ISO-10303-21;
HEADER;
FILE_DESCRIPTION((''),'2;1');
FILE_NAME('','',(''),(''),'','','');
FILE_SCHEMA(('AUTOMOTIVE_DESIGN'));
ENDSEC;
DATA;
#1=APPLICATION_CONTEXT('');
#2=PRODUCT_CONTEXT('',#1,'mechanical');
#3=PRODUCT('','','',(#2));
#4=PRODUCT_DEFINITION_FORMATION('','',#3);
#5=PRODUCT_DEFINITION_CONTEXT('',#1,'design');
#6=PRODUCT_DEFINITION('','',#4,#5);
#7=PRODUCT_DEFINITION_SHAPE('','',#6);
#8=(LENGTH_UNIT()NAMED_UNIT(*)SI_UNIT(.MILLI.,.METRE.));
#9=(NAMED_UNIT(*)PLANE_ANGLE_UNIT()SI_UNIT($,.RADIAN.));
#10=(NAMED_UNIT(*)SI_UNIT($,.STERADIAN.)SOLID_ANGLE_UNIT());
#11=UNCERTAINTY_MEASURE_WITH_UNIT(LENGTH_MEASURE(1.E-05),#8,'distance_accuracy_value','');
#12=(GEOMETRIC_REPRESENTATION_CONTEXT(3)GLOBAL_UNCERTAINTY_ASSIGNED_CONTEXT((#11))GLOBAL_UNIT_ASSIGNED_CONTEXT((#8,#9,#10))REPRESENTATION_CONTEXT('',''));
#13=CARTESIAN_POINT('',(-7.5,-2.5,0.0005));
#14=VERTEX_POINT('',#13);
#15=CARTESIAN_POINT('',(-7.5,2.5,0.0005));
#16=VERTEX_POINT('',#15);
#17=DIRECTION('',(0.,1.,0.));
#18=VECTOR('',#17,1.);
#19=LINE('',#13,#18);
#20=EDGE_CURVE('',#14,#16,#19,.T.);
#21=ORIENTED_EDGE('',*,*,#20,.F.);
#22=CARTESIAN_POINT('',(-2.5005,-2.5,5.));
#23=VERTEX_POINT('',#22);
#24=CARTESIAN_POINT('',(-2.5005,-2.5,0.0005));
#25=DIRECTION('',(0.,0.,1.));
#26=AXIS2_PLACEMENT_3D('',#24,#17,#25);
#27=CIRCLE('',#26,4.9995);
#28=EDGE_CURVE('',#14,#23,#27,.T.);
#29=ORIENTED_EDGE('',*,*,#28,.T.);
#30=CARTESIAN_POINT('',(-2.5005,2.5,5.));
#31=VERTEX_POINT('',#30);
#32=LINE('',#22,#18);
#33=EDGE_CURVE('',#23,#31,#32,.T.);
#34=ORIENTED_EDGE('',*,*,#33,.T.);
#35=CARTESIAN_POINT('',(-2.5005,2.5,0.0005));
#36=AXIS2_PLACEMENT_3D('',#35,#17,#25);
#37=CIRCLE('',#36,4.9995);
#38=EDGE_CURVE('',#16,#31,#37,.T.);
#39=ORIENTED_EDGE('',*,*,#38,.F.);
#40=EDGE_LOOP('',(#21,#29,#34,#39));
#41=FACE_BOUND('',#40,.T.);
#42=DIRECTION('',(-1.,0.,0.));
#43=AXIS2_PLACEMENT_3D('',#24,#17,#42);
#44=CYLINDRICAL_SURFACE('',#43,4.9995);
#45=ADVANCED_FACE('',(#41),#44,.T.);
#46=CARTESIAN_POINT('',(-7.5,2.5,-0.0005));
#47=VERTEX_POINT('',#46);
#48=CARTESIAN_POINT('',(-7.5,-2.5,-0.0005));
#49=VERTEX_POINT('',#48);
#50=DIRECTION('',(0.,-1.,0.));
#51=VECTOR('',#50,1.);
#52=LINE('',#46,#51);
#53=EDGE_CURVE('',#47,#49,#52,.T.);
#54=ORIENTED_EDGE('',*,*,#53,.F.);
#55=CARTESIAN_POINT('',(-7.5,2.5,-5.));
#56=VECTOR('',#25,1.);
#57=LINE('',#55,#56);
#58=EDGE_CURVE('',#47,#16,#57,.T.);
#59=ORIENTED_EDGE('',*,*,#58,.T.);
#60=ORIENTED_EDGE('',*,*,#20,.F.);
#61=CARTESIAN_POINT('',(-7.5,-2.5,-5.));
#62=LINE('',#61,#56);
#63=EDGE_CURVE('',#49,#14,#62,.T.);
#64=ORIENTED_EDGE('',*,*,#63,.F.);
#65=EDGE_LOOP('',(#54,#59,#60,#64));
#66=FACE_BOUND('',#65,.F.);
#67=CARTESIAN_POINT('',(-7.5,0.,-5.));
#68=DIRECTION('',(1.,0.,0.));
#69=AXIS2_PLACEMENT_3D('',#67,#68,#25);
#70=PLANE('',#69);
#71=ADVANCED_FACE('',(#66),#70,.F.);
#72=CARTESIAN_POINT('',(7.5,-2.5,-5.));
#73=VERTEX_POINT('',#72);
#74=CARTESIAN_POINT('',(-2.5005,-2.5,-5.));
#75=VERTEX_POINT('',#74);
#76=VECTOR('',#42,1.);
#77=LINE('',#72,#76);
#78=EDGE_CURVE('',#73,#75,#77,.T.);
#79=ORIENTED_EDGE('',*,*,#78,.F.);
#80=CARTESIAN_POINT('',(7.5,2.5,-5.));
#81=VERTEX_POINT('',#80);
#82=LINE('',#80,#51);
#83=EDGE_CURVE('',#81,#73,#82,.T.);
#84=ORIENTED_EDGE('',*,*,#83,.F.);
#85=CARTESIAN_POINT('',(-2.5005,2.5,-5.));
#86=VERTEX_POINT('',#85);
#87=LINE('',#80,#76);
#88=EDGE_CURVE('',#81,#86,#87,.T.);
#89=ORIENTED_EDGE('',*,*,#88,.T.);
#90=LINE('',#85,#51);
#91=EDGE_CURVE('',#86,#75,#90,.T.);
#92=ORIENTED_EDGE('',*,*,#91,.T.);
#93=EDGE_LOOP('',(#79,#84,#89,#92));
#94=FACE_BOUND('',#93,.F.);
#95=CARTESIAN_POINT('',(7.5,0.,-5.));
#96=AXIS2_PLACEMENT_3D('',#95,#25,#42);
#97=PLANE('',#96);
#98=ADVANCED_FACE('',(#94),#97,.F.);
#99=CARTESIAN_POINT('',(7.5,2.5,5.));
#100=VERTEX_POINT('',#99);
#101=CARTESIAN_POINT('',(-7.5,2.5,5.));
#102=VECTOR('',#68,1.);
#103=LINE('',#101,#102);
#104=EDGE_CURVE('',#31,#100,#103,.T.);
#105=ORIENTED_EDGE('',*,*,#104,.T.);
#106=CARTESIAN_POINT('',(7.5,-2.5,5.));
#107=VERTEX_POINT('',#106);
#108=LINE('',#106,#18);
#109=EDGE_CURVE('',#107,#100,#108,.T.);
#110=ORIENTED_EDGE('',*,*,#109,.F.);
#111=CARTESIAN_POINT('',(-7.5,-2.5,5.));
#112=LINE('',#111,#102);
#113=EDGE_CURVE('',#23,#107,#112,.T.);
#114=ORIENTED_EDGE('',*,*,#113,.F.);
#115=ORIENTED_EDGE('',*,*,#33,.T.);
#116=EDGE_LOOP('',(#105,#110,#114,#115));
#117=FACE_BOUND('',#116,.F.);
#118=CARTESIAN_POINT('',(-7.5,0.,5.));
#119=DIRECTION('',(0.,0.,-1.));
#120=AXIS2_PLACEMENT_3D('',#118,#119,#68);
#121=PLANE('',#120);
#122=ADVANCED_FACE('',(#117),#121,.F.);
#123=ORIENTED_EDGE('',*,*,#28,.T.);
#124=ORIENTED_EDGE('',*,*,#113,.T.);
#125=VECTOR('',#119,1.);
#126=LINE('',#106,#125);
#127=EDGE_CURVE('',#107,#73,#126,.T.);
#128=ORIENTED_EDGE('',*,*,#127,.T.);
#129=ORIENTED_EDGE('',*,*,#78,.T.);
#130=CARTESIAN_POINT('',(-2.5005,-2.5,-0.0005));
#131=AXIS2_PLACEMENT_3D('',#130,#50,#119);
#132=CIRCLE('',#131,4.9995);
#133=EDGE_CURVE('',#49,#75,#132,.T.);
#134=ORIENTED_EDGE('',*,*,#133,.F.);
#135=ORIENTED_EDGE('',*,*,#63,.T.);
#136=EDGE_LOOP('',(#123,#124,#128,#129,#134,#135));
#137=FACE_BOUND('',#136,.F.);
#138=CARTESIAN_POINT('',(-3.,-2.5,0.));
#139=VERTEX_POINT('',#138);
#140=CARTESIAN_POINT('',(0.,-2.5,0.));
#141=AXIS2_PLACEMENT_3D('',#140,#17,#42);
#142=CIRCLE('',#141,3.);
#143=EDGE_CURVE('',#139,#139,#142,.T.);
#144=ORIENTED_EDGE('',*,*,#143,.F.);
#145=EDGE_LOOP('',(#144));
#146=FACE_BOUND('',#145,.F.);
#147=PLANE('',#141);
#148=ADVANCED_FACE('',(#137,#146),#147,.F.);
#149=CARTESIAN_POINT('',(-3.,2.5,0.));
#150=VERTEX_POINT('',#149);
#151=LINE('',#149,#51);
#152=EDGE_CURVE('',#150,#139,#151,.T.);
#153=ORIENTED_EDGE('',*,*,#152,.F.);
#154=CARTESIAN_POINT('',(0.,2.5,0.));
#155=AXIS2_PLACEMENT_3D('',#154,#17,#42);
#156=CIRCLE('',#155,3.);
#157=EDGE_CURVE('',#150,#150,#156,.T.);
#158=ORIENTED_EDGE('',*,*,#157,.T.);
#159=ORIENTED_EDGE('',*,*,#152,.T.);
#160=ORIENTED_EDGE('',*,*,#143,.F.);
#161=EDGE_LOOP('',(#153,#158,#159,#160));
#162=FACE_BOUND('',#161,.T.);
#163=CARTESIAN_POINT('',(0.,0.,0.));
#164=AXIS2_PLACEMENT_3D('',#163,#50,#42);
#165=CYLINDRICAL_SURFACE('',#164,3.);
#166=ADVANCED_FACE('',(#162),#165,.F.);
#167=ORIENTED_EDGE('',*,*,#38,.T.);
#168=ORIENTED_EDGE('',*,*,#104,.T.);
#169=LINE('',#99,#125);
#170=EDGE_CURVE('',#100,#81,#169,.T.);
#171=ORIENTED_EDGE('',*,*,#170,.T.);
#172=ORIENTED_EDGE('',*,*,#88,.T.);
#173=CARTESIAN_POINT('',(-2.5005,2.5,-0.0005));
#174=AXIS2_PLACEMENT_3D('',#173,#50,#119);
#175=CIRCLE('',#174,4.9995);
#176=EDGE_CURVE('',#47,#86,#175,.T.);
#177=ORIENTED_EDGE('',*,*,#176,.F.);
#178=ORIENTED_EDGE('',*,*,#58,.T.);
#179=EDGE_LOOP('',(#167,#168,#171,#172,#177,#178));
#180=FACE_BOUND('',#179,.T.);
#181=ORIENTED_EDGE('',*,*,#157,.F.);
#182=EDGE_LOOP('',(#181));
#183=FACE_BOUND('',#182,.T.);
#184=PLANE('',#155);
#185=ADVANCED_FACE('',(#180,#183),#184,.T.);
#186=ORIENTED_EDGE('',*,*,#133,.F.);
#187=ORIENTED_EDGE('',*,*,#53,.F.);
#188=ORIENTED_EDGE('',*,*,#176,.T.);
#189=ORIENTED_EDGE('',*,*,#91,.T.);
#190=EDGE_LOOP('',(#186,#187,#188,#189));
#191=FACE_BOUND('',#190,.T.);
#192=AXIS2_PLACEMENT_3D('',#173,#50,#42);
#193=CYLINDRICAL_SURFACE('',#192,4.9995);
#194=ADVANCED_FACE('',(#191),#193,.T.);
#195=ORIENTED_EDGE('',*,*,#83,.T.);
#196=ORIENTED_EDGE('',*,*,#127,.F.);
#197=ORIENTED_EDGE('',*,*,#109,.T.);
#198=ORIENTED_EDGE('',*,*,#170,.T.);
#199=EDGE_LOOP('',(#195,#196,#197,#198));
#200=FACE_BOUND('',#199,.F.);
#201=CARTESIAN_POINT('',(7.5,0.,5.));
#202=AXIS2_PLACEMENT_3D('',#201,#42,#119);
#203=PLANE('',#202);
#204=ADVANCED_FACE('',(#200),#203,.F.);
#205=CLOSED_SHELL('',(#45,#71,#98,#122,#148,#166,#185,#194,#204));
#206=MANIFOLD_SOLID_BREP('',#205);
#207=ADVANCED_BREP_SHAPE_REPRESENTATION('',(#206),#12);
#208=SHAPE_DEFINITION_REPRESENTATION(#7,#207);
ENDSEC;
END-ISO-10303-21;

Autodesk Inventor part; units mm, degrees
ref_plane "YZ Plane" through (0, 0, 0) normal (1, 0, 0) x (0, 1, 0)
ref_plane "XZ Plane" through (0, 0, 0) normal (0, 1, 0) x (-1, 0, 0)
ref_plane "XY Plane" through (0, 0, 0) normal (0, 0, 1) x (1, 0, 0)
sketch "Boceto1" plane through (0, 0, 0) normal (0, 1, 0) x (-1, 0, 0)
  line L0 (7.5, 5) -> (-7.5, 5)
  line L1 (-7.5, 5) -> (-7.5, -5)
  line L2 (-7.5, -5) -> (7.5, -5)
  line L3 (7.5, -5) -> (7.5, 5)
  line L4 (7.5, 5) -> (-7.5, -5) construction
  line L5 (-7.5, 5) -> (7.5, -5) construction
  circle A0 centre (0, 0) radius 3
  dimension "d0" = 15
  dimension "d1" = 10
  dimension "d2" = 6
extrude "Extrusión1" add sketch "Boceto1" along normal mid plane 5
fillet "Empalme1" radius 5 2 edges at (-7.5, 0, 5) (-7.5, 0, -5)
properties material "Acero inoxidable"
